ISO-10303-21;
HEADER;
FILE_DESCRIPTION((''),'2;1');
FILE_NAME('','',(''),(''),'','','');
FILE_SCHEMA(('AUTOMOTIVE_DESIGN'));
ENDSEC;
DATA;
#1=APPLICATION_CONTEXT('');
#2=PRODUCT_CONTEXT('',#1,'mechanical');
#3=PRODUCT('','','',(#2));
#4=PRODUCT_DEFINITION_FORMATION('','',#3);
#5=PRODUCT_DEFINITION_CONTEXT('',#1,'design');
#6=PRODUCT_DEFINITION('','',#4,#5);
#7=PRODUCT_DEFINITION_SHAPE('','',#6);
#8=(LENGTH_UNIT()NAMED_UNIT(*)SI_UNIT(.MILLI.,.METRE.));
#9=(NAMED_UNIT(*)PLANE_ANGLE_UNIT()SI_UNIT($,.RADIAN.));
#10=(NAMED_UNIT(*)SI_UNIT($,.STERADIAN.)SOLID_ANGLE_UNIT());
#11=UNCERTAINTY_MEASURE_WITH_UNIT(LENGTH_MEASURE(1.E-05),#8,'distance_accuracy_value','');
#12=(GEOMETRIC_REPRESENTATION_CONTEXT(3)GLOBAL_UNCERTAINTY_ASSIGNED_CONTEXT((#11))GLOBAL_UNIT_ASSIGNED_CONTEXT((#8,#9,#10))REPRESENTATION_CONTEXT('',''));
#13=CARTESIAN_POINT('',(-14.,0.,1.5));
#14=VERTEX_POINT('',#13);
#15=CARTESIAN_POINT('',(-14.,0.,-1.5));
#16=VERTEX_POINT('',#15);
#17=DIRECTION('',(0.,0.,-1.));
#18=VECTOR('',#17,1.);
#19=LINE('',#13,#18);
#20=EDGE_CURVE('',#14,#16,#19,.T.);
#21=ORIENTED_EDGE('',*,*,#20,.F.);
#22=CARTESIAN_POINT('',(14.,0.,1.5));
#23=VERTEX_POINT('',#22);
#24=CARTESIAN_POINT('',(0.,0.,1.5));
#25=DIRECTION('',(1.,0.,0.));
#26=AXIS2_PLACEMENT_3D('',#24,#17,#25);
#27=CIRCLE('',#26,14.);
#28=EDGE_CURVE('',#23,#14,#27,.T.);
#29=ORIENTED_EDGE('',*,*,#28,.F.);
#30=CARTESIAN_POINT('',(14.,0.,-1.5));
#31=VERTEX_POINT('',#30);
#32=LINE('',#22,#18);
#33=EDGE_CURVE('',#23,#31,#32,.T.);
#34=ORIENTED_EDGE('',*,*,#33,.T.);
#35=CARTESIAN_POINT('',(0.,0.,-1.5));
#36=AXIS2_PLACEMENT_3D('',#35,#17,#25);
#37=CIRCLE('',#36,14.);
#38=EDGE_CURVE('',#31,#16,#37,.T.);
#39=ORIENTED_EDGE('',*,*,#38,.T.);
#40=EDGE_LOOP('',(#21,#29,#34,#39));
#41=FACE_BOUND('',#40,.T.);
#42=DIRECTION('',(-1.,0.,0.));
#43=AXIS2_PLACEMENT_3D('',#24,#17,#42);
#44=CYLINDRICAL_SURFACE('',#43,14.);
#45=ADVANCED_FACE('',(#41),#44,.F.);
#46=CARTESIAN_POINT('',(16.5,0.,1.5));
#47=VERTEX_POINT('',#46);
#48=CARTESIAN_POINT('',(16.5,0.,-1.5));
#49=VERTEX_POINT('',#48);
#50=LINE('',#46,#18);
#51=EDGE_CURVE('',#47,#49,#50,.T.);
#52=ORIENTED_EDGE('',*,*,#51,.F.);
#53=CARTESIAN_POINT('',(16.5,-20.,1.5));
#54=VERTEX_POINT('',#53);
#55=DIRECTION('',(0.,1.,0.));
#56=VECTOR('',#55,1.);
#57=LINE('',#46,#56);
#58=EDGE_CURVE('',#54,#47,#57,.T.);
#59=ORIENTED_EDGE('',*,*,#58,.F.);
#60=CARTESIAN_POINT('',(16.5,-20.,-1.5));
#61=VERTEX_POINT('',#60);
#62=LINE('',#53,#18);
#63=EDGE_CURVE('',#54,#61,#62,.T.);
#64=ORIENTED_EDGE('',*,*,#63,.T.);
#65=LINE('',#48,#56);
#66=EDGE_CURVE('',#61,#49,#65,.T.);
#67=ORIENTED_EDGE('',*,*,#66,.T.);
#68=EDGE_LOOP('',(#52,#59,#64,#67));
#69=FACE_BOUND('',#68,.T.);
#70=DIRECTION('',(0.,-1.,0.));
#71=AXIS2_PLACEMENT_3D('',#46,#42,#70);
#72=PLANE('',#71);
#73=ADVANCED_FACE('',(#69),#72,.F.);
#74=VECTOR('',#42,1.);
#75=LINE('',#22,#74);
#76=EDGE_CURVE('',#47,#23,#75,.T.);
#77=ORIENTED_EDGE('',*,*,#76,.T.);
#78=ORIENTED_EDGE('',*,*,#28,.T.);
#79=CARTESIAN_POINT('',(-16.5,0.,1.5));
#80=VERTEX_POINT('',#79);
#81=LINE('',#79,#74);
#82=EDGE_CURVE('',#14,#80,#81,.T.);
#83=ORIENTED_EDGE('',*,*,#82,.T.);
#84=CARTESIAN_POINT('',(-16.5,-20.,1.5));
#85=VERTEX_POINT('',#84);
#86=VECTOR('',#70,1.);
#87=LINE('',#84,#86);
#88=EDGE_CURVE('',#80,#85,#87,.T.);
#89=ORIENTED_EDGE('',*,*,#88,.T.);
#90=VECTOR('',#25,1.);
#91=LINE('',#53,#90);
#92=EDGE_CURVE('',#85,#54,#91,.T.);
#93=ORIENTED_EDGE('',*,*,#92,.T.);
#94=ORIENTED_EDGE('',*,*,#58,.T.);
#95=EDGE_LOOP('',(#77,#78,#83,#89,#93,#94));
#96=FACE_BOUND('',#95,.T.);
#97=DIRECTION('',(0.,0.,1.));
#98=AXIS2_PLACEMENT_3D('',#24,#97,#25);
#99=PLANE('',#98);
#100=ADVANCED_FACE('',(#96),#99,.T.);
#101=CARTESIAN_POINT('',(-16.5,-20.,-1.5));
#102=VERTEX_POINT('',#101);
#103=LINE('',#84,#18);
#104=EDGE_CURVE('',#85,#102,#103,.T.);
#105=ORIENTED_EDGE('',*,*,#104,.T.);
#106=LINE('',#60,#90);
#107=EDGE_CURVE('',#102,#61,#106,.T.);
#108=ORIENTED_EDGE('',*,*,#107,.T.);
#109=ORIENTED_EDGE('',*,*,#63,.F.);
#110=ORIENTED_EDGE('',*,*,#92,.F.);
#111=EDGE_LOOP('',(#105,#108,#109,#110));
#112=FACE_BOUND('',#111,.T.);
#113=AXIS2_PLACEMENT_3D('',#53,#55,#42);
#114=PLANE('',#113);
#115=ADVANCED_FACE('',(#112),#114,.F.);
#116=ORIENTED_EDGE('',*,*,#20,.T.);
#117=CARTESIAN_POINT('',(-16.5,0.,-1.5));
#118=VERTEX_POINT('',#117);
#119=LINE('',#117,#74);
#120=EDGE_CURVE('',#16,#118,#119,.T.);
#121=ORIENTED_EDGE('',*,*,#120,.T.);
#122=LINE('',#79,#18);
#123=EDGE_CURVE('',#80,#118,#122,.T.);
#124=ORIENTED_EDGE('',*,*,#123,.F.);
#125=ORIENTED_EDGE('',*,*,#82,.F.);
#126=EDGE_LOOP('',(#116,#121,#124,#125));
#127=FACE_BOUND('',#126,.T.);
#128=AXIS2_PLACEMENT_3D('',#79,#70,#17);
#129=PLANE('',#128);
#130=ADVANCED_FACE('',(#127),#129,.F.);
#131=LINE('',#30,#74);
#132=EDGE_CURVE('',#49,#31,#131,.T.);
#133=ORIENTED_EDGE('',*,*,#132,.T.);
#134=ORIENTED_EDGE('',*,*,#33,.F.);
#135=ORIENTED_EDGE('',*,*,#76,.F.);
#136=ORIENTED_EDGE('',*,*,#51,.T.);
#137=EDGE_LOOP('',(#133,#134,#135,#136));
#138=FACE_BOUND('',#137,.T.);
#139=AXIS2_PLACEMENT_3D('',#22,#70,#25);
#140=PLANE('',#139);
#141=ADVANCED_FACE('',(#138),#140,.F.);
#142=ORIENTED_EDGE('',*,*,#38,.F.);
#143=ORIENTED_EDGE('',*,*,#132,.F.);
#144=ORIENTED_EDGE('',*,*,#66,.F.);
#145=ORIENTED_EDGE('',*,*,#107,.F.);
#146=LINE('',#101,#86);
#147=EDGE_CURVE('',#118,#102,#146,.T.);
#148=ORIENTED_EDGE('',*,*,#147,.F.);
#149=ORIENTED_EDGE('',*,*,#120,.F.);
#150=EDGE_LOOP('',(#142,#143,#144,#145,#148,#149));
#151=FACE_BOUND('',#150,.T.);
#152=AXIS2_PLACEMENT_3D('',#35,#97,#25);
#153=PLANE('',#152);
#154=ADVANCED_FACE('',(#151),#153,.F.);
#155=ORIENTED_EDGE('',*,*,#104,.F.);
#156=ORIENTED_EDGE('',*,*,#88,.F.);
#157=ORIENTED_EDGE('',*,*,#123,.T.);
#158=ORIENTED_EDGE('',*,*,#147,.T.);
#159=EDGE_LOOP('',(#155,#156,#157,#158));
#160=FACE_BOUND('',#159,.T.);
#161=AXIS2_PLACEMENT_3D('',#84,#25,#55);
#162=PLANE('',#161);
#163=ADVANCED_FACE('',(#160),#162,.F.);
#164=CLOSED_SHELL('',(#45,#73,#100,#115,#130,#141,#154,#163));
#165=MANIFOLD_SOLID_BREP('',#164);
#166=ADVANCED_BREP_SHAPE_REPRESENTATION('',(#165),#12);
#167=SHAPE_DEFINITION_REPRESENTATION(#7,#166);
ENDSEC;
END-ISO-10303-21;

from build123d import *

# Parameters (mm, degrees)
BOSS_EXTRUDE1_DEPTH = 1.5


with BuildPart() as part:
    # Sketch1 → Boss-Extrude1 (new, symmetric)
    with BuildSketch(Plane.XY):
        with BuildLine():
            Line((-16.5, 0), (-14, 0))
            ThreePointArc((-14, 0), (0, -14), (14, 0))
            Line((14, 0), (16.5, 0))
            Line((16.5, 0), (16.5, -20))
            Line((16.5, -20), (-16.5, -20))
            Line((-16.5, -20), (-16.5, 0))
        make_face()
    extrude(amount=BOSS_EXTRUDE1_DEPTH, both=True)


solid = part.part
